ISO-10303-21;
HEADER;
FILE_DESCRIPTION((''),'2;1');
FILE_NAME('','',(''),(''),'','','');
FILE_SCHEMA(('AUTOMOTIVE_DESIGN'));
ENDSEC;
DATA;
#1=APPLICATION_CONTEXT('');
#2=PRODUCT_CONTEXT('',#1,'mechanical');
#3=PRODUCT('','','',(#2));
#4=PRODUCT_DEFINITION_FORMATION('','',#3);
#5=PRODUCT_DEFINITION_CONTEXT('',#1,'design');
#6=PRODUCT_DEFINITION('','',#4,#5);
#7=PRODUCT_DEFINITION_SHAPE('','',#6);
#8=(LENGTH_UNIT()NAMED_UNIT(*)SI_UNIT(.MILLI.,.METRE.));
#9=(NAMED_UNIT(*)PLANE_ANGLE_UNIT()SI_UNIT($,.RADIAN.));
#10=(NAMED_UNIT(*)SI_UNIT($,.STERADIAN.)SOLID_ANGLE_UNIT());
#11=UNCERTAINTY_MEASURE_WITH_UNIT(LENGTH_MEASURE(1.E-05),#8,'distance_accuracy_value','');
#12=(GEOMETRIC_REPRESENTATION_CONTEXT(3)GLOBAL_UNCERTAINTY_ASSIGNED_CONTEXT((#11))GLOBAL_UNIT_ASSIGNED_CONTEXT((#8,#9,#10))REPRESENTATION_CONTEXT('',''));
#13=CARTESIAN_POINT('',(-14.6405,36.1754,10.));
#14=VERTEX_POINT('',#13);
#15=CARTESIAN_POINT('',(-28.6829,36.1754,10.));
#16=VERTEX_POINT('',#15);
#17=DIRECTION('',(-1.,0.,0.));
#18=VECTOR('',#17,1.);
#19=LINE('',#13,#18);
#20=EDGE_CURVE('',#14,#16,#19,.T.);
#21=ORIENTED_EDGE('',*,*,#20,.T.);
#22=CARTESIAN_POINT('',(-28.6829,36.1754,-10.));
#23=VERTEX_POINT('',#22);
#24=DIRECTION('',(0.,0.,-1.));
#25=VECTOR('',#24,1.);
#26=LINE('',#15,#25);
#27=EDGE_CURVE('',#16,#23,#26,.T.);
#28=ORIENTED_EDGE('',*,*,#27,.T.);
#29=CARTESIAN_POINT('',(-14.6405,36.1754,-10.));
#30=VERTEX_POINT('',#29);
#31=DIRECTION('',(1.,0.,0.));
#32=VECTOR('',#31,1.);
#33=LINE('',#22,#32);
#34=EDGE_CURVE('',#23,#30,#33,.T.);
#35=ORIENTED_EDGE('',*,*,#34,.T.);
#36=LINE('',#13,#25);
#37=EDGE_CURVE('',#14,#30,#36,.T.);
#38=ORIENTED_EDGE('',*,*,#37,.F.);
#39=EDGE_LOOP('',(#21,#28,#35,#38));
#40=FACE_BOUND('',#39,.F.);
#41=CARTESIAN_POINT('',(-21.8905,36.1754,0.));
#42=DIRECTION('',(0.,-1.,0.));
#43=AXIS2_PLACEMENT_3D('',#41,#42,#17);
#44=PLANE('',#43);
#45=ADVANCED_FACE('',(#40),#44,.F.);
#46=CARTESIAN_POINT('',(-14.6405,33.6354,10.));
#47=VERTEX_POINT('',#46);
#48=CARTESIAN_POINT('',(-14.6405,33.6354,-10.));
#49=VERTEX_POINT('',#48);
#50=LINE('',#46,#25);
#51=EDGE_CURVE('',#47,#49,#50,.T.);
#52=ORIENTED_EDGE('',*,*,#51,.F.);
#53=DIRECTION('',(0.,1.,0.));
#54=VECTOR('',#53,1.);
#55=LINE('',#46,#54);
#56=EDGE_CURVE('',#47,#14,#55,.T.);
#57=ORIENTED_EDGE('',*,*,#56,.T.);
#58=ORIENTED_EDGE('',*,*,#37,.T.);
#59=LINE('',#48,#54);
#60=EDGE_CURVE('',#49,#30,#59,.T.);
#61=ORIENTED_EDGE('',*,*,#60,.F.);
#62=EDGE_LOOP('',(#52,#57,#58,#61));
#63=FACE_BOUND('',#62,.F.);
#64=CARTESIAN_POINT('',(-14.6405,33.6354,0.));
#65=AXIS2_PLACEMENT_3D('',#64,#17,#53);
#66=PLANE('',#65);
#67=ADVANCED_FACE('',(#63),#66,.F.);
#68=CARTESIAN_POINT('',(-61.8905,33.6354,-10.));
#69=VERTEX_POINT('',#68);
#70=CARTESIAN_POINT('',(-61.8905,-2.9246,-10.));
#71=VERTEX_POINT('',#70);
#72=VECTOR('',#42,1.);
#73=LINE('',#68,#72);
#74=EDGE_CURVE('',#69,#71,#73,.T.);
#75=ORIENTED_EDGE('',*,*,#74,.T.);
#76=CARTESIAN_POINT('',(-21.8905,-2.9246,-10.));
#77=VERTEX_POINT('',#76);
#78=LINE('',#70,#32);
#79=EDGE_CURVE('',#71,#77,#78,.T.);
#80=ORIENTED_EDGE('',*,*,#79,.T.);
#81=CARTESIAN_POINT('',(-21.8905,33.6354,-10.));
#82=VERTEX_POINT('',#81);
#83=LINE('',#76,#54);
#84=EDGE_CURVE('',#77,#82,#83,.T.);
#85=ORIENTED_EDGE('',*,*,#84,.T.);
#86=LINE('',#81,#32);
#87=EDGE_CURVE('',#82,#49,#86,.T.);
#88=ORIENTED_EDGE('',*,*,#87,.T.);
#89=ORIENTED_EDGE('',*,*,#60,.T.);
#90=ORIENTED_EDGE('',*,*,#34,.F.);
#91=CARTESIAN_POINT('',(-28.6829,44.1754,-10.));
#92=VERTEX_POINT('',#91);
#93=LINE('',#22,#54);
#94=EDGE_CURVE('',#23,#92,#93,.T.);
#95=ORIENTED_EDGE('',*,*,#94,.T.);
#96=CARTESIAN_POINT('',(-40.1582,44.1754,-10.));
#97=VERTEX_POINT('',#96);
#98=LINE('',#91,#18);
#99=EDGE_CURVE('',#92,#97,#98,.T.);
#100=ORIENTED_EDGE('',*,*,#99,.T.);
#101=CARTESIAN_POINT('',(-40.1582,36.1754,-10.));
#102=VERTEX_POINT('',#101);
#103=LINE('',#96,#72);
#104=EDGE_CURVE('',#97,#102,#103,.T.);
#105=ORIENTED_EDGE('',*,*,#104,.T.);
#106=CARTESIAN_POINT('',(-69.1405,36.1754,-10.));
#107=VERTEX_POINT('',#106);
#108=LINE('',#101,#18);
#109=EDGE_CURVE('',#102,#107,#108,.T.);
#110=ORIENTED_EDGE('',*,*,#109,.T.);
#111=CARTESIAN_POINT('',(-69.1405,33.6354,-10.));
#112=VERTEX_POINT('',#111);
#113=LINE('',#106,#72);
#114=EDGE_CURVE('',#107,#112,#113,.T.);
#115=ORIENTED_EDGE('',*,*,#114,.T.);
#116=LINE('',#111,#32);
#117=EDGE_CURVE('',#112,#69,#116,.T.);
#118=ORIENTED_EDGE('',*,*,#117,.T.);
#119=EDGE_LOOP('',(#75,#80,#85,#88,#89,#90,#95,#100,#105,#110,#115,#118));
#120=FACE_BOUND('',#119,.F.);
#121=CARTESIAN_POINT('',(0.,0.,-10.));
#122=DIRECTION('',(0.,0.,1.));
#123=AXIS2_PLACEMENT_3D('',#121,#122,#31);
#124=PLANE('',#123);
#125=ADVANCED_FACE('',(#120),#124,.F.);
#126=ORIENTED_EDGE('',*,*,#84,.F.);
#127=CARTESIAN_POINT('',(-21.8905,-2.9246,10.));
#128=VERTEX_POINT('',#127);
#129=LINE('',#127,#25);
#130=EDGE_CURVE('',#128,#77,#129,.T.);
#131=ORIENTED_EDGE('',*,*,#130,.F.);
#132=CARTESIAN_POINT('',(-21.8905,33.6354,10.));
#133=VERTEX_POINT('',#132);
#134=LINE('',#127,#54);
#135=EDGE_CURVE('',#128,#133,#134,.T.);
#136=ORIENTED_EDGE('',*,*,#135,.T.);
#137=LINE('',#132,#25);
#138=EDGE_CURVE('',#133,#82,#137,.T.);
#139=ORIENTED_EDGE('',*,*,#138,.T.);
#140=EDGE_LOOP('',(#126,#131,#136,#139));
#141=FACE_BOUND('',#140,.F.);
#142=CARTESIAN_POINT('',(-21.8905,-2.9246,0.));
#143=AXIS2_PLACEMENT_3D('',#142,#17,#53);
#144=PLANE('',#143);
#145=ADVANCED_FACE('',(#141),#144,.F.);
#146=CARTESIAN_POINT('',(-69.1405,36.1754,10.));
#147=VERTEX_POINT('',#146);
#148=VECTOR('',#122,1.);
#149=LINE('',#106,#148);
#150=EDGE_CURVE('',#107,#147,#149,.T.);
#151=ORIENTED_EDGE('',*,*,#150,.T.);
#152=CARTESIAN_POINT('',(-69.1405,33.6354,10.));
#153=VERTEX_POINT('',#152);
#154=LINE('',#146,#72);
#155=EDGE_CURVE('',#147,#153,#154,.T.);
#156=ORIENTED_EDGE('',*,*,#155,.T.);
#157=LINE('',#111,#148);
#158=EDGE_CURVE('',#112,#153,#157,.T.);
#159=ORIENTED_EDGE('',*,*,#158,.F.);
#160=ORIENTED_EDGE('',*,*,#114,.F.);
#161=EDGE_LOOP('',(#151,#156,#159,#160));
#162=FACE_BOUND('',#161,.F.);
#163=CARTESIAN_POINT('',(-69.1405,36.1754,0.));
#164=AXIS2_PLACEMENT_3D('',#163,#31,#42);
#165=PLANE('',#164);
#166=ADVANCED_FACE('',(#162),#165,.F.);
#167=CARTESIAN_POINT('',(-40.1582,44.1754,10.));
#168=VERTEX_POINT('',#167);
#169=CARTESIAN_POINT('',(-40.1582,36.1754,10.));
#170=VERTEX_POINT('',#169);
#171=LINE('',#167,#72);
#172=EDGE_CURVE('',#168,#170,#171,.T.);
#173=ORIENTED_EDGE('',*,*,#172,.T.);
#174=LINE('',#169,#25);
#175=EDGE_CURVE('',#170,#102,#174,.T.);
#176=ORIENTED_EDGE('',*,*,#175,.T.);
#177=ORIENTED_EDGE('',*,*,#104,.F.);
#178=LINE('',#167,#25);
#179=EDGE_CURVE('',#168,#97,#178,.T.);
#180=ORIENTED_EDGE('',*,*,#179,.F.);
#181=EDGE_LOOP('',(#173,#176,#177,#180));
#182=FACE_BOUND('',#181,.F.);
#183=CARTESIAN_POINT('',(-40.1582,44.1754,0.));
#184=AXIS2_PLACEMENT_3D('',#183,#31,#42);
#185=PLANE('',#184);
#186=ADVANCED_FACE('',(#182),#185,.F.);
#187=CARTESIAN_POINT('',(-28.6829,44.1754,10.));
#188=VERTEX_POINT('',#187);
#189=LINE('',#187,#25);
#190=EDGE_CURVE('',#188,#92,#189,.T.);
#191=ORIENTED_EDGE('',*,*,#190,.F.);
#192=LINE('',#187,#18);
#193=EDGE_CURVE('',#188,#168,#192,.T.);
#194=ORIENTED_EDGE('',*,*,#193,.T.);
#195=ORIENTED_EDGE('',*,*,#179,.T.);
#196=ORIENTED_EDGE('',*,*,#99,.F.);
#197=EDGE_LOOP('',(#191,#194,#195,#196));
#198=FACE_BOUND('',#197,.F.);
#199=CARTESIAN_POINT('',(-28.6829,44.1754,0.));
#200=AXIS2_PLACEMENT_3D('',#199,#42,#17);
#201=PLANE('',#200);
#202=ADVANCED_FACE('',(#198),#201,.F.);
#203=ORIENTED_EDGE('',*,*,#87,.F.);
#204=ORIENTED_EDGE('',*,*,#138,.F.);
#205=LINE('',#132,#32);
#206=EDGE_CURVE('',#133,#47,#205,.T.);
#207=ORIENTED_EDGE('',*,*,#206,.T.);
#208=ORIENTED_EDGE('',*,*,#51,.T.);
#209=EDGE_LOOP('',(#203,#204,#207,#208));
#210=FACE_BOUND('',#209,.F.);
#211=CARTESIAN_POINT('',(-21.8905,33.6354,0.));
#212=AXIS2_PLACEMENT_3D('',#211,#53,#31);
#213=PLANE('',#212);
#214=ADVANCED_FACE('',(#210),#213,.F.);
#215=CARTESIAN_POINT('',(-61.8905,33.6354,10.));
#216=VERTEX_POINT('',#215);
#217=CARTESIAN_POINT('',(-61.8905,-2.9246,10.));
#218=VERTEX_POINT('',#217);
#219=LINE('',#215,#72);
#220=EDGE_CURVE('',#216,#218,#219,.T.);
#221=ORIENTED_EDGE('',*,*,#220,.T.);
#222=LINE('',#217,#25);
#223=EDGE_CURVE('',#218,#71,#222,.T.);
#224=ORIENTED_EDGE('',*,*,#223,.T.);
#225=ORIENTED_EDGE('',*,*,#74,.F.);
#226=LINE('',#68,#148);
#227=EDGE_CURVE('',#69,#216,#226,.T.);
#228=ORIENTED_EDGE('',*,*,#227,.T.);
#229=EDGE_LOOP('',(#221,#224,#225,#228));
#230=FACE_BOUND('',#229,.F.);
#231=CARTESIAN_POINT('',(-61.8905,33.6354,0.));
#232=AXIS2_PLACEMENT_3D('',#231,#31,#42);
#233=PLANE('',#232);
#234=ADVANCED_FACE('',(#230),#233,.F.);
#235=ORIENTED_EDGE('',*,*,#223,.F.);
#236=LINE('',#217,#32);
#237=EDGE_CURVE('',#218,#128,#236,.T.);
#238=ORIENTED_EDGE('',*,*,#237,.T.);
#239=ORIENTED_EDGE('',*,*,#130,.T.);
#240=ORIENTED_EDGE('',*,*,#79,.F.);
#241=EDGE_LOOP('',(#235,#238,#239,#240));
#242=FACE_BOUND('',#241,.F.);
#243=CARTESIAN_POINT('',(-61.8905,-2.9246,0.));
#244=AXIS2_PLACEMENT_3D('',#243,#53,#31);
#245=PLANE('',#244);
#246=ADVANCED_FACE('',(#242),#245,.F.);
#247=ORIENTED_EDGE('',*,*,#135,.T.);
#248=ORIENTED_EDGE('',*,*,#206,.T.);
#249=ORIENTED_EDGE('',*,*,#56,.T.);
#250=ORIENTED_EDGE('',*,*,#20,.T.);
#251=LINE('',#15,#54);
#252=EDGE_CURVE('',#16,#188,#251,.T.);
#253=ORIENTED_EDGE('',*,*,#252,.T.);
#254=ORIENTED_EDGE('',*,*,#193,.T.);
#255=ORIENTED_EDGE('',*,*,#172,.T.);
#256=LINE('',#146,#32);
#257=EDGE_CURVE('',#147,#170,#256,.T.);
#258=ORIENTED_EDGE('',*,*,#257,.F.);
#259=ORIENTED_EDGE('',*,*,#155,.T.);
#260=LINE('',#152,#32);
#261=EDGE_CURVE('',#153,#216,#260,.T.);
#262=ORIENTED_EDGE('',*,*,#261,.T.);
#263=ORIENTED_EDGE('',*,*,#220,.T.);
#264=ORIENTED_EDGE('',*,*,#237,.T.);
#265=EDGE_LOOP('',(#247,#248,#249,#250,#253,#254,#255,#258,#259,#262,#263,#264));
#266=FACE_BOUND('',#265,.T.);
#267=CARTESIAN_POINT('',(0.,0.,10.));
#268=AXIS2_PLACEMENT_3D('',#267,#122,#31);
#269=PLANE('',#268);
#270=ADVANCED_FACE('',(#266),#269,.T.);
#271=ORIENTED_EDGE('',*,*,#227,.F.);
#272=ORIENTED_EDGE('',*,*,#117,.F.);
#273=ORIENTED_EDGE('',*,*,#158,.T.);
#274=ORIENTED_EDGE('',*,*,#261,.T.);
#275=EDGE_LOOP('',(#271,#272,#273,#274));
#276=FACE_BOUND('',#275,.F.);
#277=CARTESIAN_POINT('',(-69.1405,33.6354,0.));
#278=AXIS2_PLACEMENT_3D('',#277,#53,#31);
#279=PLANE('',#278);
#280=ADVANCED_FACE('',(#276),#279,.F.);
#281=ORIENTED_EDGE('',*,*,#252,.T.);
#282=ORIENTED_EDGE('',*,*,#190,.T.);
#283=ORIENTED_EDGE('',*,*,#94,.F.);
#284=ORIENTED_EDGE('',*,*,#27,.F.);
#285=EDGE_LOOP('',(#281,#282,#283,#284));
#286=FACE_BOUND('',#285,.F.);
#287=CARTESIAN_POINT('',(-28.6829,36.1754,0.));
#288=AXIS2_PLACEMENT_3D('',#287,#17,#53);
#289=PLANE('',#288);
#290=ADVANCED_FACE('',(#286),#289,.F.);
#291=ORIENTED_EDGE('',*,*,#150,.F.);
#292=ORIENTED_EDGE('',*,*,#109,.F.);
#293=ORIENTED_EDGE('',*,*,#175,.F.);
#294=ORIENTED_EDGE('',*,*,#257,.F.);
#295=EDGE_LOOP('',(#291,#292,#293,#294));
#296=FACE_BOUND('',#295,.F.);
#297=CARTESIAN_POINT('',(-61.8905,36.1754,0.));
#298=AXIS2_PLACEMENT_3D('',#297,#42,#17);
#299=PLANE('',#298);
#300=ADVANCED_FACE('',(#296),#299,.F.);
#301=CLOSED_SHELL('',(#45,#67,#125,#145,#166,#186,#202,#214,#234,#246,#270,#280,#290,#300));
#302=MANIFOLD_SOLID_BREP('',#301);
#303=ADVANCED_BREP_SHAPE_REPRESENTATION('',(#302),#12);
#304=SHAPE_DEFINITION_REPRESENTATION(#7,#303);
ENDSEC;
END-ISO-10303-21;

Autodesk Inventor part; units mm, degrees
ref_plane "YZ Plane" through (0, 0, 0) normal (1, 0, 0) x (0, 1, 0)
ref_plane "XZ Plane" through (0, 0, 0) normal (0, 1, 0) x (-1, 0, 0)
ref_plane "XY Plane" through (0, 0, 0) normal (0, 0, 1) x (1, 0, 0)
sketch "Sketch1" plane through (0, 0, 0) normal (0, 0, 1) x (1, 0, 0)
  line L0 (-69.1405, 36.1754) -> (-69.1405, 33.6354)
  line L1 (-69.1405, 33.6354) -> (-61.8905, 33.6354)
  line L2 (-61.8905, 33.6354) -> (-61.8905, -2.9246)
  line L3 (-61.8905, -2.9246) -> (-21.8905, -2.9246)
  line L4 (-21.8905, -2.9246) -> (-21.8905, 33.6354)
  line L5 (-21.8905, 33.6354) -> (-14.6405, 33.6354)
  line L6 (-14.6405, 33.6354) -> (-14.6405, 36.1754)
  line L7 (-14.6405, 36.1754) -> (-21.8905, 36.1754)
  line L8 (-21.8905, 36.1754) -> (-21.8905, 36.1754)
  line L9 (-21.8905, 36.1754) -> (-28.6829, 36.1754)
  line L10 (-28.6829, 36.1754) -> (-28.6829, 44.1754)
  line L11 (-28.6829, 44.1754) -> (-40.1582, 44.1754)
  line L12 (-40.1582, 44.1754) -> (-40.1582, 36.1754)
  line L13 (-40.1582, 36.1754) -> (-61.8905, 36.1754)
  line L14 (-61.8905, 36.1754) -> (-61.8905, 36.1754)
  line L15 (-61.8905, 36.1754) -> (-69.1405, 36.1754)
  dimension "d7" = 47.1
  dimension "d8" = 40
  dimension "d9" = 39.1
  dimension "d10" = 54.5
  dimension "d11" = 39.1
  dimension "d12" = 2.54
extrude "Extrusion1" add sketch "Sketch1" along normal mid plane 20
properties part number "FUTABA-RS404PD Blank"
